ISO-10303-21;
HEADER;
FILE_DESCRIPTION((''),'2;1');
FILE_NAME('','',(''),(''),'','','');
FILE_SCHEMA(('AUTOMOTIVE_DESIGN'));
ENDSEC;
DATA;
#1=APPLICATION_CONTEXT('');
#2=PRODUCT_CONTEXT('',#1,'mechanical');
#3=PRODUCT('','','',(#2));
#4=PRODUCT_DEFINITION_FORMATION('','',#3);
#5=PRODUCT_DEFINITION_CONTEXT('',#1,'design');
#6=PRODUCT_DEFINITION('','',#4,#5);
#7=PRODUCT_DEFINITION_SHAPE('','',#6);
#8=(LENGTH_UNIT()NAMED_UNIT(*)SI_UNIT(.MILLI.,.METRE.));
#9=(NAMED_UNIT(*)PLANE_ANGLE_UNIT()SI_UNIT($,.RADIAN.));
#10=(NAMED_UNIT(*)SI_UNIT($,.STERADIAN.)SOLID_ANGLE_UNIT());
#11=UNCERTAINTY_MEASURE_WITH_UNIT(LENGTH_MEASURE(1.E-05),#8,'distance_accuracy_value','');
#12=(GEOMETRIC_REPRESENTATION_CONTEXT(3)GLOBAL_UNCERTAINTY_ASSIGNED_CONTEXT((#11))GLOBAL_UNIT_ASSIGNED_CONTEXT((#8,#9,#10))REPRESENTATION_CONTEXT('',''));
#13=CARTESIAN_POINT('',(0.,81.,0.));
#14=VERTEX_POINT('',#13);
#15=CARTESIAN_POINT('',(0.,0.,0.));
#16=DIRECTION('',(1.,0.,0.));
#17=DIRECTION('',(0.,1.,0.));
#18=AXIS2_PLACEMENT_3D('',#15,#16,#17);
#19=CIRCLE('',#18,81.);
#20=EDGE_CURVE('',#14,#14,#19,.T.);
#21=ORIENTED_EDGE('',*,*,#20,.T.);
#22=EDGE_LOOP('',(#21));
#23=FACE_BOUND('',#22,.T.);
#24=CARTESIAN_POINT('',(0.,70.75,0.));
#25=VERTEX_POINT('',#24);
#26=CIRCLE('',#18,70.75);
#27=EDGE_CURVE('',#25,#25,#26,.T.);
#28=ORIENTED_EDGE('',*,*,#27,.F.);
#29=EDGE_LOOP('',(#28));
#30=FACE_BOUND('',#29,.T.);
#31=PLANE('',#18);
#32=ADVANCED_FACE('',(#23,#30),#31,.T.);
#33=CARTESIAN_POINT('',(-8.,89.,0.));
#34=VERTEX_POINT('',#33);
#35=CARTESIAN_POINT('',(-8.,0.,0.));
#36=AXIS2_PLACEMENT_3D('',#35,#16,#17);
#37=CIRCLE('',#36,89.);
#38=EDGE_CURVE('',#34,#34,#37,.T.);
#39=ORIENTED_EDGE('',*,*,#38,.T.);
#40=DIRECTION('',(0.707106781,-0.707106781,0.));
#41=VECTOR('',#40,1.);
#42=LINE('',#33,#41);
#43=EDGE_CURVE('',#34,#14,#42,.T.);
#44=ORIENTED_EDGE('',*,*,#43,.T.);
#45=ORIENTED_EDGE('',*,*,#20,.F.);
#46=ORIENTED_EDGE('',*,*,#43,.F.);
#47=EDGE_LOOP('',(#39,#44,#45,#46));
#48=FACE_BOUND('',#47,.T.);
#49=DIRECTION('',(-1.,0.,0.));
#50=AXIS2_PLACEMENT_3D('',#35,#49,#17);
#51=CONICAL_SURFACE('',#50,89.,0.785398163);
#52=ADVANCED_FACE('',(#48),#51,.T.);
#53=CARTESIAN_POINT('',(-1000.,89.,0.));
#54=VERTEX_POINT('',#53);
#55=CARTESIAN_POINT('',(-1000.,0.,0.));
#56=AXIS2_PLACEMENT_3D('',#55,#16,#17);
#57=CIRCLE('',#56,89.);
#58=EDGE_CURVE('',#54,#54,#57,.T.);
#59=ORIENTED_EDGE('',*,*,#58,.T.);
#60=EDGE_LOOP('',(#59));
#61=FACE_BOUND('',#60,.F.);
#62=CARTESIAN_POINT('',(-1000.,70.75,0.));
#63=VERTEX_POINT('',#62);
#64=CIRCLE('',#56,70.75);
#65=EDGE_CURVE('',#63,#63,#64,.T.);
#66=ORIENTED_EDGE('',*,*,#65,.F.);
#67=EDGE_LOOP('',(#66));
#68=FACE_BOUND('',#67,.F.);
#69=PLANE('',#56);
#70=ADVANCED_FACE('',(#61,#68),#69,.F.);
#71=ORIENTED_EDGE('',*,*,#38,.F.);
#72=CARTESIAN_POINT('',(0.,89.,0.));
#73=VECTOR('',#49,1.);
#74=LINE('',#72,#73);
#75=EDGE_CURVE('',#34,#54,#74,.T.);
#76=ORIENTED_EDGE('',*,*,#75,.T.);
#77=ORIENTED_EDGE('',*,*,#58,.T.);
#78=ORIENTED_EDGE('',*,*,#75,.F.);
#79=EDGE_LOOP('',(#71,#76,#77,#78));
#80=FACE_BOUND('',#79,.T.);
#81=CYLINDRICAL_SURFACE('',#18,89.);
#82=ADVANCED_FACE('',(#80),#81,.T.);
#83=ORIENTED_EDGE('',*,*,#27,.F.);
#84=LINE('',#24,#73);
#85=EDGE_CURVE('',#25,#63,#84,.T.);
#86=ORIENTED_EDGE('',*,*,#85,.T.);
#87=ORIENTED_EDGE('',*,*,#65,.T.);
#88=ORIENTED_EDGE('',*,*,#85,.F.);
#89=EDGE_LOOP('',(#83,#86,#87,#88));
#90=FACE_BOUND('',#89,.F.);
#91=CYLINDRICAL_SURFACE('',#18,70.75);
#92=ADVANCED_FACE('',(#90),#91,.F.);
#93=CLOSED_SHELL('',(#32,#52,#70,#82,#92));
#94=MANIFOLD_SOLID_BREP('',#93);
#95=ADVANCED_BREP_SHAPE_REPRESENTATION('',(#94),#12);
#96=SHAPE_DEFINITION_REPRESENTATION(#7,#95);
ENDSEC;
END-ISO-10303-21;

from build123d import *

# Parameters (mm, degrees)
F0_R     = 89
F0_R_2   = 70.75
F1_DEPTH = 1000
F2_SIZE  = 8


with BuildPart() as f1:
    # F0 (on Right) → F1 (new body)
    with BuildSketch(Plane.YZ):
        Circle(F0_R)
        Circle(F0_R_2, mode=Mode.SUBTRACT)
    extrude(amount=-F1_DEPTH)

    # F2
    f2_edges = [f1.edges().sort_by_distance(p)[0] for p in [
        (0, -89, 0),
    ]]
    chamfer(f2_edges, length=F2_SIZE)


solid = f1.part
